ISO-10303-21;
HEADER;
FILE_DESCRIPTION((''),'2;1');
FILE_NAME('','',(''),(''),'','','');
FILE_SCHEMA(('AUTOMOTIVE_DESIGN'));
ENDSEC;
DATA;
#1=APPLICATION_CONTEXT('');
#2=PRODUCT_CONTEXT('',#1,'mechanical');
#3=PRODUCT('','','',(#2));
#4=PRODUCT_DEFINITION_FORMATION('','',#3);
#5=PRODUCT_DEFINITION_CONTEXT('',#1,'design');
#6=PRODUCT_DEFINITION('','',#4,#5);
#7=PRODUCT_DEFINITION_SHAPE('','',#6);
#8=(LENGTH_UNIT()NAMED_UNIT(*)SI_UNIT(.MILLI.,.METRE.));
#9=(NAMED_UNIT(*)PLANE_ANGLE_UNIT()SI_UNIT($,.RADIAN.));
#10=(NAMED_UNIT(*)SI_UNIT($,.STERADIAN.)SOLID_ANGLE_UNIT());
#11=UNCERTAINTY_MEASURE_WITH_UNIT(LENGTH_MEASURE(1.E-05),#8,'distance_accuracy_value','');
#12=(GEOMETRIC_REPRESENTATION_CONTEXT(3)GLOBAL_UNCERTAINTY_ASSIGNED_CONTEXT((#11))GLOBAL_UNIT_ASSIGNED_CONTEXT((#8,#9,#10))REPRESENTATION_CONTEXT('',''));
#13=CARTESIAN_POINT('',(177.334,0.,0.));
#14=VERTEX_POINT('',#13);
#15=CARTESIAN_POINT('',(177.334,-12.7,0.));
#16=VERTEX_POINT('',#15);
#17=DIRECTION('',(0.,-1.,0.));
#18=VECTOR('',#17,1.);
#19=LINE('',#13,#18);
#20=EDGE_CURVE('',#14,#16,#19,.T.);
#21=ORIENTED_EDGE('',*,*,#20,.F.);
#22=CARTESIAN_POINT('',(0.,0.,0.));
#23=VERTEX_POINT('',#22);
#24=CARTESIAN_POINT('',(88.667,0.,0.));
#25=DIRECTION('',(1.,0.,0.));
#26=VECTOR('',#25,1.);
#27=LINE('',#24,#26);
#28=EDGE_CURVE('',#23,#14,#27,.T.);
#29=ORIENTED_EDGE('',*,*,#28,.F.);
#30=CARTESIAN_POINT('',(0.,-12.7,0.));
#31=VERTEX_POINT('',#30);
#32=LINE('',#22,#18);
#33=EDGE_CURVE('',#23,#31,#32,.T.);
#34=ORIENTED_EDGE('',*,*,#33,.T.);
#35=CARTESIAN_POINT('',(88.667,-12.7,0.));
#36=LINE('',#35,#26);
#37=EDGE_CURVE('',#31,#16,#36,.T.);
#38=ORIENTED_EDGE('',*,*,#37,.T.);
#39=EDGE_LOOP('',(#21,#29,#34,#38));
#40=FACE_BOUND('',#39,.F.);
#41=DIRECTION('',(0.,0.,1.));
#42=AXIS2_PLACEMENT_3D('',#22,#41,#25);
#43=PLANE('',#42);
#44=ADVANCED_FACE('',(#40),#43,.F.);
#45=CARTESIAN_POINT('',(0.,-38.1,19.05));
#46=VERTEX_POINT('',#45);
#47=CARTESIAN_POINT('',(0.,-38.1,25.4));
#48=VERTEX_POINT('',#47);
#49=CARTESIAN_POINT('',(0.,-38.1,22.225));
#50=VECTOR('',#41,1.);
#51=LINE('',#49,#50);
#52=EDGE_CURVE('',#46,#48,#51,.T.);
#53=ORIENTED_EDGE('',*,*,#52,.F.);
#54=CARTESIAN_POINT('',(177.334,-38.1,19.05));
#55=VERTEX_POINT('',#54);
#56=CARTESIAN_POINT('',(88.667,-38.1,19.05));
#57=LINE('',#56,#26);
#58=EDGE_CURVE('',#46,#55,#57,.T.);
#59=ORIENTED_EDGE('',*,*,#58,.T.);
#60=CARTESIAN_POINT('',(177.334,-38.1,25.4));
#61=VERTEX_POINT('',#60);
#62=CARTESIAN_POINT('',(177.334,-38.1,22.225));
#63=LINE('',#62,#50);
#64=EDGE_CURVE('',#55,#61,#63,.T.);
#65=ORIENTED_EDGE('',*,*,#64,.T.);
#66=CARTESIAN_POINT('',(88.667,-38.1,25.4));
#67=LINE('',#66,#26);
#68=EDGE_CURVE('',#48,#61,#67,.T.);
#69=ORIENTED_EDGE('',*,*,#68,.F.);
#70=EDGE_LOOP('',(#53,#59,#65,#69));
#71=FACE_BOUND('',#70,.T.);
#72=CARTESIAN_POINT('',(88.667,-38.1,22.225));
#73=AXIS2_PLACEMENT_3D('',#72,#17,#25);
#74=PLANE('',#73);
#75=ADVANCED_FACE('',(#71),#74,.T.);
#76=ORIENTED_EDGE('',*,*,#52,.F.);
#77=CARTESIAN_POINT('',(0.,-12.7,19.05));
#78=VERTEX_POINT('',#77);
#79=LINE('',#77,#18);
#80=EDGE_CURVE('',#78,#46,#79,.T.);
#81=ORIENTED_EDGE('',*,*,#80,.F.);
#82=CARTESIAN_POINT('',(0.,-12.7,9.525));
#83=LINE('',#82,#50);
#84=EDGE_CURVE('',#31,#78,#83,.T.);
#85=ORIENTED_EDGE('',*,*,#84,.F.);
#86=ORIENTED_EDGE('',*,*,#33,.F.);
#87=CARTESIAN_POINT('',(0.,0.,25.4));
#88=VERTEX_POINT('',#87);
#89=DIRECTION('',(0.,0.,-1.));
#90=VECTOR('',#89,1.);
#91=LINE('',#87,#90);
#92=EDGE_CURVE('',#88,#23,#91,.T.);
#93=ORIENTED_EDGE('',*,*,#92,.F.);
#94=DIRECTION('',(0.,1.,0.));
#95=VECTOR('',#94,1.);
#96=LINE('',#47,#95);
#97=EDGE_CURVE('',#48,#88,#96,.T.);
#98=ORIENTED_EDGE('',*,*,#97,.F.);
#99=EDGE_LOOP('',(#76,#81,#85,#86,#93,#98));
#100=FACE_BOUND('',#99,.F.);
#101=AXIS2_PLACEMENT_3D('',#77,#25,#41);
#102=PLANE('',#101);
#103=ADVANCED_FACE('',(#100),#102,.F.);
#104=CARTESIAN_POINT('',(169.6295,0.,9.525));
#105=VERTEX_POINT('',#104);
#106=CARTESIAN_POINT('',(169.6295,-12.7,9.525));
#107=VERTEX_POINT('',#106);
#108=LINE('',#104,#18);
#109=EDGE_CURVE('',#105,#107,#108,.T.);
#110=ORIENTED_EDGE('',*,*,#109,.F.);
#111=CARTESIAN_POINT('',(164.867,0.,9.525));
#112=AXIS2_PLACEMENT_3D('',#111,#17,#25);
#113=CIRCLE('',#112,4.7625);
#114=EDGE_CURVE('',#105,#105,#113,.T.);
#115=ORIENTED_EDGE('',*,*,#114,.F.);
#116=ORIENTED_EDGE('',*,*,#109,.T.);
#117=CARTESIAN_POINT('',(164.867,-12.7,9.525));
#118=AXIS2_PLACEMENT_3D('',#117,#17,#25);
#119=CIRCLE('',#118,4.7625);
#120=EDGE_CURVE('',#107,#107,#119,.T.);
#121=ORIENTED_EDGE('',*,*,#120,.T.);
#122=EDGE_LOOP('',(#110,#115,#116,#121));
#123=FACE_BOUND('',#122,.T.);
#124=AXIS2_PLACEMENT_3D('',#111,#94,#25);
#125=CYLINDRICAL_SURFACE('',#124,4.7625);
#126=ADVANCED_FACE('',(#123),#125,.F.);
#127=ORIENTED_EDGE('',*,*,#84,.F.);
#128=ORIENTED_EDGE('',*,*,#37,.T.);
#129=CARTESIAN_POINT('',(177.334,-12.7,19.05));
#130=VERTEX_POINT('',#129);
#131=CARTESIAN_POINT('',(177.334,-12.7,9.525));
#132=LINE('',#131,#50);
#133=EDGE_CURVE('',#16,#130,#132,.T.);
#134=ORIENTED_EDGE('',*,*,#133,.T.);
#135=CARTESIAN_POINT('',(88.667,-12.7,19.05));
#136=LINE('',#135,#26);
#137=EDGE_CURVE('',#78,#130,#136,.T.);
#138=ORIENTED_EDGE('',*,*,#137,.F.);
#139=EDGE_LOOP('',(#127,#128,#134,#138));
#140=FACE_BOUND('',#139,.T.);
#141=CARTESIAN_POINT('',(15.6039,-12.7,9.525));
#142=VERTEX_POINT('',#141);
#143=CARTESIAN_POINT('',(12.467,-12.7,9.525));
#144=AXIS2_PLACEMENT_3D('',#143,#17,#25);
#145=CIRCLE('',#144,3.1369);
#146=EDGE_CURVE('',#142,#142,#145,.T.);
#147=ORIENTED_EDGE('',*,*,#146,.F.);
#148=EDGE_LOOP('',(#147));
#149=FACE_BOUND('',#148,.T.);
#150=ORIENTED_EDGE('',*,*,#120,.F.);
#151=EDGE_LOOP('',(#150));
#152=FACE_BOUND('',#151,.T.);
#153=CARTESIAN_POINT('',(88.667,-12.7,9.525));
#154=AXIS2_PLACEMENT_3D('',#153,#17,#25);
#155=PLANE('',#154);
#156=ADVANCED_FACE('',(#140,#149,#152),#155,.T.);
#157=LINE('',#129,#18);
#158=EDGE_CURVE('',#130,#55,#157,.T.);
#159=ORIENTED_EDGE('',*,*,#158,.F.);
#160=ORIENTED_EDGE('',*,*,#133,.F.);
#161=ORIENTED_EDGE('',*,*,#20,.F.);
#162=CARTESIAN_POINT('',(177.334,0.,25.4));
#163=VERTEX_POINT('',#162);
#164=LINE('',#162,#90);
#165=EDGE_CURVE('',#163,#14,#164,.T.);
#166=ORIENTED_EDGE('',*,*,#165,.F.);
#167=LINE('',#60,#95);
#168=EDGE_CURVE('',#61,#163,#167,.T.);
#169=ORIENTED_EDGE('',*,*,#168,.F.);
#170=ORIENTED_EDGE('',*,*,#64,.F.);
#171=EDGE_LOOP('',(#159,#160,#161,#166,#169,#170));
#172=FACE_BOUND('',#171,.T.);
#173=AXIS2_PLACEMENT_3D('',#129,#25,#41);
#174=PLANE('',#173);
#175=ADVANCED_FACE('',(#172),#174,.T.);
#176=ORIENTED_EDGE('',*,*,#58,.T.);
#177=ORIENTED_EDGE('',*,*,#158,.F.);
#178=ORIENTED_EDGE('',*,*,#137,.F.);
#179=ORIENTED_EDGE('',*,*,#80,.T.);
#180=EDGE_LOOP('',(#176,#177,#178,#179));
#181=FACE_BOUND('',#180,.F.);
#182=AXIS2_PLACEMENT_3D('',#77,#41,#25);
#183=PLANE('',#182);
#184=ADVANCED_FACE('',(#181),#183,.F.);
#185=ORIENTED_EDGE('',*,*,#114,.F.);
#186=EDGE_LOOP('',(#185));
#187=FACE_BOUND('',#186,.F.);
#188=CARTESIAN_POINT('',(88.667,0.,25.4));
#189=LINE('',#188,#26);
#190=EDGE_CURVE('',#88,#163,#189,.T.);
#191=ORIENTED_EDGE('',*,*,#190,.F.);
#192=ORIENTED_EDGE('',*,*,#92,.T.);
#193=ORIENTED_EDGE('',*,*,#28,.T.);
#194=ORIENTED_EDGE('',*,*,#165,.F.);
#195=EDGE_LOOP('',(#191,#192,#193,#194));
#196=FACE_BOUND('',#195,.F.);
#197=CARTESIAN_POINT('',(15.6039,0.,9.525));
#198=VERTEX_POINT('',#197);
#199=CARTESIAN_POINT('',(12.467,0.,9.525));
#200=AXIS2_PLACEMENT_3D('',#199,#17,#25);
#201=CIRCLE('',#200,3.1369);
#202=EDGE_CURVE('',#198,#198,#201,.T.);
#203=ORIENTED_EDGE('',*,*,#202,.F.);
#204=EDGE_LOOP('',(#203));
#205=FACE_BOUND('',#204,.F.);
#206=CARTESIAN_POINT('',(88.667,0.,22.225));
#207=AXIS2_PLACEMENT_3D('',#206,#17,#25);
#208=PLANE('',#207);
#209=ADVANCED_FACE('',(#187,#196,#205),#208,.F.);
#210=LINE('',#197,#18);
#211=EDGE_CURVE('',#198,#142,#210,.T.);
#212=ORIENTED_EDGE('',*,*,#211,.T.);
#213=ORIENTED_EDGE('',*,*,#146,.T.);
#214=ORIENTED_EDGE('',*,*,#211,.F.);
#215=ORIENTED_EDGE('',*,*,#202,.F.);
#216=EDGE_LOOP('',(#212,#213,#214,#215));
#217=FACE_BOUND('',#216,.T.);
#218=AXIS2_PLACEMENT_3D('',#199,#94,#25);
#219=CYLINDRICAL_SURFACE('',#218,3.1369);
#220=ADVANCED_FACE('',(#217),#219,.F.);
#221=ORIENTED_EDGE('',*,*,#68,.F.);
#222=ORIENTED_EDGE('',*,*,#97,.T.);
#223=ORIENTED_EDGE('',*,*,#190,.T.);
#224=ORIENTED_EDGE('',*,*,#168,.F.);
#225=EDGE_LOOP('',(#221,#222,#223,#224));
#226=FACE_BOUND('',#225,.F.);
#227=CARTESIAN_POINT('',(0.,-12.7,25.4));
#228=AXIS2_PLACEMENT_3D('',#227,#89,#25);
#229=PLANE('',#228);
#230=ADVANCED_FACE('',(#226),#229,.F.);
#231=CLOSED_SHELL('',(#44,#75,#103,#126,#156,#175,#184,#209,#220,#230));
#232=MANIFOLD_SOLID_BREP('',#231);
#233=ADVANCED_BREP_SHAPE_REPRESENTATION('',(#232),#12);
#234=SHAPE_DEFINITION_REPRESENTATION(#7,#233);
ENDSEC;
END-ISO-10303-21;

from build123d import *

# Parameters (mm, degrees)
F0_W          = 177.334
F0_H          = 19.05
F0_R          = 3.1369
F0_R_2        = 4.7625
F1_DEPTH      = 12.7
F2_W          = 177.334
F2_H          = 6.35
F3_DEPTH      = 25.4
F3_DEPTH_BACK = 12.7


with BuildPart() as f1:
    # F0 (on Front) → F1 (new body)
    with BuildSketch(Plane.XZ):
        with Locations((88.667, 9.525)):
            Rectangle(F0_W, F0_H)
        with Locations((12.467, 9.525)):
            Circle(F0_R, mode=Mode.SUBTRACT)
        with Locations((164.867, 9.525)):
            Circle(F0_R_2, mode=Mode.SUBTRACT)
    extrude(amount=F1_DEPTH)

    # F2 (on face) → F3 (join, two sides)
    with BuildSketch(Plane.XZ.offset(12.7)) as f3_sk:
        with Locations((88.667, 22.225)):
            Rectangle(F2_W, F2_H)
    extrude(amount=F3_DEPTH)
    extrude(f3_sk.sketch, amount=-F3_DEPTH_BACK)


solid = f1.part
